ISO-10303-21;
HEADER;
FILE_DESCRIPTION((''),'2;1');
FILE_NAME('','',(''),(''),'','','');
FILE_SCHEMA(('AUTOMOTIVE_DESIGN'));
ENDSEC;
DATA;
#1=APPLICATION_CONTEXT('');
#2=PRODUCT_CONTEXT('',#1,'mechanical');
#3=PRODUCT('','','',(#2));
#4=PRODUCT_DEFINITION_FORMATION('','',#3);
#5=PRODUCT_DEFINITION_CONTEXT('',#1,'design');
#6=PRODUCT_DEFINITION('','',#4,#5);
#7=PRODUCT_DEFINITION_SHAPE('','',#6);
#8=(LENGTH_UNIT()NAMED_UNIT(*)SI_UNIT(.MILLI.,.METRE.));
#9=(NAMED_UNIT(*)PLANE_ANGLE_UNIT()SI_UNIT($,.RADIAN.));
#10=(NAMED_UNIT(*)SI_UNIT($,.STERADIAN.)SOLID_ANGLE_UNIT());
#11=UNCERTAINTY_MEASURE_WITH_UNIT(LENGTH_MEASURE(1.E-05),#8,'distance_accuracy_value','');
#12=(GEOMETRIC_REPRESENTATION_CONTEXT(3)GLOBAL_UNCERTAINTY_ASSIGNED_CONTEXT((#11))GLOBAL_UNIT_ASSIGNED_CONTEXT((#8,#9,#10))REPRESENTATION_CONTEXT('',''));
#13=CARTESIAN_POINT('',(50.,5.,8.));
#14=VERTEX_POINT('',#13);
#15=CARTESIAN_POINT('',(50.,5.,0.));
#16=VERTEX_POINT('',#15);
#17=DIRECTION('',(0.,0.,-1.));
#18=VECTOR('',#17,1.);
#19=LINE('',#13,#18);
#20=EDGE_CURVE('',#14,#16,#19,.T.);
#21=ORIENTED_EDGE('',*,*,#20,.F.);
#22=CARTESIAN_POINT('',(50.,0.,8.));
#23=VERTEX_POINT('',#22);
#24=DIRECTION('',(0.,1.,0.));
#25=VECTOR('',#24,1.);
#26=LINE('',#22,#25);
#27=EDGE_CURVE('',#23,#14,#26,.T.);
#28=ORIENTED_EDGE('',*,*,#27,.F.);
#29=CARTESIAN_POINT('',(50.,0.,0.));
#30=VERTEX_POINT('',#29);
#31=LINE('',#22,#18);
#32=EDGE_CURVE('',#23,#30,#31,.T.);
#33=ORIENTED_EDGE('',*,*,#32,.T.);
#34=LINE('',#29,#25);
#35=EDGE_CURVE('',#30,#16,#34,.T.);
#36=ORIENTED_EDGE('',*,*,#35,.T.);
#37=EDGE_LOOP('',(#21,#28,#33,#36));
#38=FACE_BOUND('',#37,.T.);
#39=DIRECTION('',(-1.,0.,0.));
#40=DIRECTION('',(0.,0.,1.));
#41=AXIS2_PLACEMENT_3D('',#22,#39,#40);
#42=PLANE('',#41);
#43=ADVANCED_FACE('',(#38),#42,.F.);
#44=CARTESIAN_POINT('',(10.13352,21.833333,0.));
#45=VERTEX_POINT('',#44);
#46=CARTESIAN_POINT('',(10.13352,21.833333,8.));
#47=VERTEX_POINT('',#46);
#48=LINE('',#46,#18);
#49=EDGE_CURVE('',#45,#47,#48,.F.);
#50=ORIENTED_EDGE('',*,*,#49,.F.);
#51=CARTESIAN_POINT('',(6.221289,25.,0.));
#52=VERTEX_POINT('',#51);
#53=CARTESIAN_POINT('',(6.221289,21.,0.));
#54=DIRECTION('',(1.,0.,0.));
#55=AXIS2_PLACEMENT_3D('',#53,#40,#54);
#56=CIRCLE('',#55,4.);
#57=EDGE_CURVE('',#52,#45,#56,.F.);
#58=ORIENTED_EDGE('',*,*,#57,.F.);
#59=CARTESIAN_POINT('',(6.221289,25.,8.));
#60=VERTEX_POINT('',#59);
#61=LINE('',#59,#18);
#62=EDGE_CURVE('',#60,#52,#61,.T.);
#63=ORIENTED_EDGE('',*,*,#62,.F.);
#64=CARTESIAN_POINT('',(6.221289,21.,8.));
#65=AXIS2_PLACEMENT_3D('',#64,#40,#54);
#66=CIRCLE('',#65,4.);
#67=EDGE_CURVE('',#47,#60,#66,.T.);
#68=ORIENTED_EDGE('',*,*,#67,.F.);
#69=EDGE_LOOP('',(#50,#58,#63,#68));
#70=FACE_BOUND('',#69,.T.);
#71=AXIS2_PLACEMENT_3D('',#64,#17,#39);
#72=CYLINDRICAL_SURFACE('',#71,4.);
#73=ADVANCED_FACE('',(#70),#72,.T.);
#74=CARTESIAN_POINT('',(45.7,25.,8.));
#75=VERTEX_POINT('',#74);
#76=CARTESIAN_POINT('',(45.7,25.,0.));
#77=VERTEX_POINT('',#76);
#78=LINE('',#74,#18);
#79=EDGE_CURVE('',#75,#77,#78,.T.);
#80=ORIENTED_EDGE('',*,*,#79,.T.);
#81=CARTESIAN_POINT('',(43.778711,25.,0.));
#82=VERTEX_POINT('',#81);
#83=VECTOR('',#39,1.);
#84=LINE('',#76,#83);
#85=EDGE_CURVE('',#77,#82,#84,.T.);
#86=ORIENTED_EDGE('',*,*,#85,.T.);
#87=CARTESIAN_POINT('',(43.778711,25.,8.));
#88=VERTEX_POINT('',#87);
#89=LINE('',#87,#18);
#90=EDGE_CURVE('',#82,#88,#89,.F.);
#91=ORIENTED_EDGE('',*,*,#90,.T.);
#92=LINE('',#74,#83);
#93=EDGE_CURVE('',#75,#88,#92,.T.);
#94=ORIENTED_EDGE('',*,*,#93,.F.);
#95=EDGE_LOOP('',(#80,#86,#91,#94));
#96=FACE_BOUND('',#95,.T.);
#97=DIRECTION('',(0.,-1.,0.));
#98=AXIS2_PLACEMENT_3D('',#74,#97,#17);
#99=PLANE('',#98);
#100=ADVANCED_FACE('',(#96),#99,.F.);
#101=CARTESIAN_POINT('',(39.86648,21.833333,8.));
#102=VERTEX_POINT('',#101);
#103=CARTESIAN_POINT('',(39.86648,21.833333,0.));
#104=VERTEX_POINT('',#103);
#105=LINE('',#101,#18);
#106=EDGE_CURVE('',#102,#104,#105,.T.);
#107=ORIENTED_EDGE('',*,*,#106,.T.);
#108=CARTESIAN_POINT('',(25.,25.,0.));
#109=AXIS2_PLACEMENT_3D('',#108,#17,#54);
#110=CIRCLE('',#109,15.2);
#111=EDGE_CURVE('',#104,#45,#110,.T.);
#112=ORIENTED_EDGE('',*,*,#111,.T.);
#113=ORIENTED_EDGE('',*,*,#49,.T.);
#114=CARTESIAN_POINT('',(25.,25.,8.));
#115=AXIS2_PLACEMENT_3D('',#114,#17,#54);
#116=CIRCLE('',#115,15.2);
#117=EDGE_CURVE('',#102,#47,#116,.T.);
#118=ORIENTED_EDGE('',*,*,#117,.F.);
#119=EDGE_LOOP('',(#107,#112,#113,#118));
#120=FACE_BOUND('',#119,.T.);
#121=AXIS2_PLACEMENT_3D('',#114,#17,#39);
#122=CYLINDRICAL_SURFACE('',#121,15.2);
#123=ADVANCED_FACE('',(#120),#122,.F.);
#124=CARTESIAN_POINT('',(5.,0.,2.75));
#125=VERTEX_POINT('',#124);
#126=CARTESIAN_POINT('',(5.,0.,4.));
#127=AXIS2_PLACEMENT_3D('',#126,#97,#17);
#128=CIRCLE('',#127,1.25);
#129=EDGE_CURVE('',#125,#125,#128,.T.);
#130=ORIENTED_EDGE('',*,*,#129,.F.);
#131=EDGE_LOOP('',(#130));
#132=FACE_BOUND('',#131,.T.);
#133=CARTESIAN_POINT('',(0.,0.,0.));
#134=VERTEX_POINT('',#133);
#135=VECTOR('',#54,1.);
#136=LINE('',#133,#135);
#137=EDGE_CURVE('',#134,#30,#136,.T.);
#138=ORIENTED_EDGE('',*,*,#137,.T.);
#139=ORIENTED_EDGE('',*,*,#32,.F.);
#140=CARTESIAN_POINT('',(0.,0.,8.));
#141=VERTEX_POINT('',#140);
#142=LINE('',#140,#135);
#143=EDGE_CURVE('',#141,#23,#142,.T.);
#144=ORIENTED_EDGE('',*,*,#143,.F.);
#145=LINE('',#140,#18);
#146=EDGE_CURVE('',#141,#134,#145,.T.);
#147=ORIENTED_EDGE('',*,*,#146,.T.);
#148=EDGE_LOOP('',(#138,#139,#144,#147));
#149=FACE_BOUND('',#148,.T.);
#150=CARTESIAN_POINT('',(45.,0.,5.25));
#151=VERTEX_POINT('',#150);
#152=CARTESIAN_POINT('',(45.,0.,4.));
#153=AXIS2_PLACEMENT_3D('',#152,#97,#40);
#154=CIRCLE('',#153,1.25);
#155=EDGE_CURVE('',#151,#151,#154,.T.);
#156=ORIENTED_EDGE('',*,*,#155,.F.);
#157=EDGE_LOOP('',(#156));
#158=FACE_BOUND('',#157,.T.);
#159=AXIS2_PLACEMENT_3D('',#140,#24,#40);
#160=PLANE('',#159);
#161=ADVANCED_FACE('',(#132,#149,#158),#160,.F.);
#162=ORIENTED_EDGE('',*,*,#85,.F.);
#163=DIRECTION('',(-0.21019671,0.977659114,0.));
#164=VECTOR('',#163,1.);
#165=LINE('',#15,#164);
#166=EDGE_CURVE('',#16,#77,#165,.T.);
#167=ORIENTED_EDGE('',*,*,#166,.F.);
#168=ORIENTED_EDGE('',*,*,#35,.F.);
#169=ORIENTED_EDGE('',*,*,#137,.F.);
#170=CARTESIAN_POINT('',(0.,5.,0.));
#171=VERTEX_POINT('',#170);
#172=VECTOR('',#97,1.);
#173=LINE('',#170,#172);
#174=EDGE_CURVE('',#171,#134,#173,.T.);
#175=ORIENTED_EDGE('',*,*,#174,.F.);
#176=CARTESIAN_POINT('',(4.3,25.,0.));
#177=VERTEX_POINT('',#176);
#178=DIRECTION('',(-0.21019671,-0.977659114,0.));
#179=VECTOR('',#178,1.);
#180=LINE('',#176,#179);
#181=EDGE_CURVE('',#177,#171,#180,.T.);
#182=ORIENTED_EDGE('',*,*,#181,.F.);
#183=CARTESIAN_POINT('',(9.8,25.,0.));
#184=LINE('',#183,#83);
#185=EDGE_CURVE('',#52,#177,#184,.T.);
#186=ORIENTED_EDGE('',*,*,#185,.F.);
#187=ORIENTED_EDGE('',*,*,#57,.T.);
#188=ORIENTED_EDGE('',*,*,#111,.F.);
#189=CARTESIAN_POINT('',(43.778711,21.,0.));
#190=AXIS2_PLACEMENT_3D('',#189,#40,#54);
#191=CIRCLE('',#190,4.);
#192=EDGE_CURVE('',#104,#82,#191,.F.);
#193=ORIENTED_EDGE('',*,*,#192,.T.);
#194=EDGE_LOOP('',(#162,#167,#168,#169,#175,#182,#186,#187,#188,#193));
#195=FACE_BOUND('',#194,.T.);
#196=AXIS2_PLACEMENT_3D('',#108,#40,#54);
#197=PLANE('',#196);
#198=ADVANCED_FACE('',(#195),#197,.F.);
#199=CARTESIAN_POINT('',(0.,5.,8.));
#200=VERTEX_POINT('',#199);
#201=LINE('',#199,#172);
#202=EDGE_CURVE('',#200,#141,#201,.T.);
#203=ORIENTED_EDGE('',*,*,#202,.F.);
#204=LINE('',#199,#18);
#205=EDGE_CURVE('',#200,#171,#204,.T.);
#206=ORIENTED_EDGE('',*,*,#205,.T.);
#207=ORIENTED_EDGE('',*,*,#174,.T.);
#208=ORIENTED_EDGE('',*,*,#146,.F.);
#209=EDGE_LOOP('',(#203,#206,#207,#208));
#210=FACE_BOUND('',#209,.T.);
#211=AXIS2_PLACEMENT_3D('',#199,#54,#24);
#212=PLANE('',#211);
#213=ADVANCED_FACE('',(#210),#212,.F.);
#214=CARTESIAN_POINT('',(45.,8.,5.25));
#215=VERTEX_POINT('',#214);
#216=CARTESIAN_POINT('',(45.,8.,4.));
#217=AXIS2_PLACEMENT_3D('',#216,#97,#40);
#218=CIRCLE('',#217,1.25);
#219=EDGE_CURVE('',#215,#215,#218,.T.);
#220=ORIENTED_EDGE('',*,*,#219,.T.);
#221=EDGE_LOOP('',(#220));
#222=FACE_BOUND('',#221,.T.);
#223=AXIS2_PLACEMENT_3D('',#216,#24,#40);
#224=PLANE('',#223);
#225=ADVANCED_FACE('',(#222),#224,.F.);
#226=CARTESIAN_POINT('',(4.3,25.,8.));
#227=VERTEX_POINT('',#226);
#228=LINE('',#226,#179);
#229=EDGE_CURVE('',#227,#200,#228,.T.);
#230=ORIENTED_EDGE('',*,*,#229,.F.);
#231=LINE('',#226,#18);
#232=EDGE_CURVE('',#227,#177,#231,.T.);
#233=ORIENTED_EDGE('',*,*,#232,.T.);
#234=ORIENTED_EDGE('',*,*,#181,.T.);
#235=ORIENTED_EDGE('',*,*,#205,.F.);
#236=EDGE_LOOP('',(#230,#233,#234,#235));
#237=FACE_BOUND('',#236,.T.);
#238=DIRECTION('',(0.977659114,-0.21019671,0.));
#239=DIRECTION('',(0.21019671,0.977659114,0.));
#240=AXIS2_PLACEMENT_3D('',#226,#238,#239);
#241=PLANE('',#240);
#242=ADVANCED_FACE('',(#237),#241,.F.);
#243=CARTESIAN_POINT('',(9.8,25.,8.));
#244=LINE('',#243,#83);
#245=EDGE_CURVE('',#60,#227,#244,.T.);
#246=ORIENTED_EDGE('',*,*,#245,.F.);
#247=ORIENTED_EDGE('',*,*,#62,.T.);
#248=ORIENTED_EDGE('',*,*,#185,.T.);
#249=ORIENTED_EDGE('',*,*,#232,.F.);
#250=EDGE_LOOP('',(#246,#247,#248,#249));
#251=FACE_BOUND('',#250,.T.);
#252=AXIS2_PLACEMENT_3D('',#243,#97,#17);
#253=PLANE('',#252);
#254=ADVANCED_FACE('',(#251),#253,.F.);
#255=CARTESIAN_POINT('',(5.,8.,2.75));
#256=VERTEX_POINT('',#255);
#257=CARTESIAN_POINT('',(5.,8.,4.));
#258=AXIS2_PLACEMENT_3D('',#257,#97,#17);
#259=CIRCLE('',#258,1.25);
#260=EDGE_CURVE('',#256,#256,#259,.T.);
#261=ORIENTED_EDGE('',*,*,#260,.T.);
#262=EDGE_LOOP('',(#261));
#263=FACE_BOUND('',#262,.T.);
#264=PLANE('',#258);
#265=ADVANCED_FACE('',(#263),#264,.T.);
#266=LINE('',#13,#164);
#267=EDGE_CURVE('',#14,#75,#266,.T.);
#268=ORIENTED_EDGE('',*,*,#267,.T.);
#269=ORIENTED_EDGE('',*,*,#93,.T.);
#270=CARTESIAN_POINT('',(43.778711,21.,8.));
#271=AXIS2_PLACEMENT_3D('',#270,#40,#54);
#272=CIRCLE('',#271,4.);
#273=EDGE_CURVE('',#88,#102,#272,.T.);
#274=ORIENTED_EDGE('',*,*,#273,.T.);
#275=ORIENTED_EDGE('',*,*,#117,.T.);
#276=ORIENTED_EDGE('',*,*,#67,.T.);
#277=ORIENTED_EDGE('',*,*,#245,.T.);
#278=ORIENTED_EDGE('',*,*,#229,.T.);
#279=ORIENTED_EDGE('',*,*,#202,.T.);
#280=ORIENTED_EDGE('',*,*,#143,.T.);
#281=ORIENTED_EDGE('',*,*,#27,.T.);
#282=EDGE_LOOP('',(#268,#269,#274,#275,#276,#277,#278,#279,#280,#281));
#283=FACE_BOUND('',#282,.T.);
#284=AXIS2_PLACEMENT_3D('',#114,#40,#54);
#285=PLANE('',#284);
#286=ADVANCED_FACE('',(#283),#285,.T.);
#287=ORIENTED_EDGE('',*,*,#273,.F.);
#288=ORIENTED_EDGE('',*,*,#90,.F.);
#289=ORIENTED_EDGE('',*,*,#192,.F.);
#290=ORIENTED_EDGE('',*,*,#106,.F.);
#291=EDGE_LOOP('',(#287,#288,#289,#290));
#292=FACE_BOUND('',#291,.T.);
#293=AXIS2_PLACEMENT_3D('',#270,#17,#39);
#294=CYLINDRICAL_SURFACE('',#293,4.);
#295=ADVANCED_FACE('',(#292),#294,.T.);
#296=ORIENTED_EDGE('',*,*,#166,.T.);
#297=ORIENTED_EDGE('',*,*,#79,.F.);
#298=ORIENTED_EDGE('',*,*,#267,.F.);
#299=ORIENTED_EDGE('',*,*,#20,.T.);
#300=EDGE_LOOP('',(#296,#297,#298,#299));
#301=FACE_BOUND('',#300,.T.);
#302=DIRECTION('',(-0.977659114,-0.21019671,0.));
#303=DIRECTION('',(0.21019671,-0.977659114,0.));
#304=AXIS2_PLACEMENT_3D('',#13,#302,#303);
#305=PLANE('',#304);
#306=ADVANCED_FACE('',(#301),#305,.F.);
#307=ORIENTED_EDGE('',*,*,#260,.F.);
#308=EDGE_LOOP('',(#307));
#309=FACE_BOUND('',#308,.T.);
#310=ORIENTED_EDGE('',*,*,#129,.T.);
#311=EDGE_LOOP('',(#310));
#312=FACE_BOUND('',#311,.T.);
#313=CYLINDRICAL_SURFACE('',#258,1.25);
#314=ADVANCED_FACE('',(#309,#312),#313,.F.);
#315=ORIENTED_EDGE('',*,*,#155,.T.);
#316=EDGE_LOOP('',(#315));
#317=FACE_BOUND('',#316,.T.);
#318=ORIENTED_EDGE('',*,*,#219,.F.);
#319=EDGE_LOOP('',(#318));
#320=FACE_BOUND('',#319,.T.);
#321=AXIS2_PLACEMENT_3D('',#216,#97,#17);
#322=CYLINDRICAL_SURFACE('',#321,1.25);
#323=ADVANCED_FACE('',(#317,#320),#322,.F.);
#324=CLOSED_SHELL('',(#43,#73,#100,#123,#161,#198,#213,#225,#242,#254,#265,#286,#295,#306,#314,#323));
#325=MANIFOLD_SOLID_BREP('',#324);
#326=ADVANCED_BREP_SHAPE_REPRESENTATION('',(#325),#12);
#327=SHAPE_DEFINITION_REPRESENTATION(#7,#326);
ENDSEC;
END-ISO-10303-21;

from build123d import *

# Parameters (mm, degrees)
BOSS_EXTRU_1_DEPTH      = 8
CONG_1_R                = 4
ESQUISSE2_R             = 1.25
ENL_V_MAT_EXTRU_1_DEPTH = 8


with BuildPart() as part:
    # Esquisse1 → Boss.-Extru.1 (new body)
    with BuildSketch(Plane.XY):
        with BuildLine():
            Line((9.8, 25), (4.3, 25))
            Line((4.3, 25), (0, 5))
            Line((0, 5), (0, 0))
            Line((0, 0), (50, 0))
            Line((50, 0), (50, 5))
            Line((50, 5), (45.7, 25))
            Line((45.7, 25), (40.2, 25))
            ThreePointArc((40.2, 25), (25, 9.8), (9.8, 25))
        make_face()
    extrude(amount=BOSS_EXTRU_1_DEPTH)

    # Congé1
    cong_1_edges = [part.edges().sort_by_distance(p)[0] for p in [
        (40.2, 25, 4),
        (9.8, 25, 4),
    ]]
    fillet(cong_1_edges, radius=CONG_1_R)

    # Esquisse2 → Enlèv. mat.-Extru.1 (cut)
    with BuildSketch(Plane.XZ):
        with Locations(Location((5, 4, 0), (0, 0, 270))):
            Circle(ESQUISSE2_R)
        with Locations(Location((45, 4, 0), (0, 0, 90))):
            Circle(ESQUISSE2_R)
    extrude(amount=-ENL_V_MAT_EXTRU_1_DEPTH, mode=Mode.SUBTRACT)


solid = part.part
